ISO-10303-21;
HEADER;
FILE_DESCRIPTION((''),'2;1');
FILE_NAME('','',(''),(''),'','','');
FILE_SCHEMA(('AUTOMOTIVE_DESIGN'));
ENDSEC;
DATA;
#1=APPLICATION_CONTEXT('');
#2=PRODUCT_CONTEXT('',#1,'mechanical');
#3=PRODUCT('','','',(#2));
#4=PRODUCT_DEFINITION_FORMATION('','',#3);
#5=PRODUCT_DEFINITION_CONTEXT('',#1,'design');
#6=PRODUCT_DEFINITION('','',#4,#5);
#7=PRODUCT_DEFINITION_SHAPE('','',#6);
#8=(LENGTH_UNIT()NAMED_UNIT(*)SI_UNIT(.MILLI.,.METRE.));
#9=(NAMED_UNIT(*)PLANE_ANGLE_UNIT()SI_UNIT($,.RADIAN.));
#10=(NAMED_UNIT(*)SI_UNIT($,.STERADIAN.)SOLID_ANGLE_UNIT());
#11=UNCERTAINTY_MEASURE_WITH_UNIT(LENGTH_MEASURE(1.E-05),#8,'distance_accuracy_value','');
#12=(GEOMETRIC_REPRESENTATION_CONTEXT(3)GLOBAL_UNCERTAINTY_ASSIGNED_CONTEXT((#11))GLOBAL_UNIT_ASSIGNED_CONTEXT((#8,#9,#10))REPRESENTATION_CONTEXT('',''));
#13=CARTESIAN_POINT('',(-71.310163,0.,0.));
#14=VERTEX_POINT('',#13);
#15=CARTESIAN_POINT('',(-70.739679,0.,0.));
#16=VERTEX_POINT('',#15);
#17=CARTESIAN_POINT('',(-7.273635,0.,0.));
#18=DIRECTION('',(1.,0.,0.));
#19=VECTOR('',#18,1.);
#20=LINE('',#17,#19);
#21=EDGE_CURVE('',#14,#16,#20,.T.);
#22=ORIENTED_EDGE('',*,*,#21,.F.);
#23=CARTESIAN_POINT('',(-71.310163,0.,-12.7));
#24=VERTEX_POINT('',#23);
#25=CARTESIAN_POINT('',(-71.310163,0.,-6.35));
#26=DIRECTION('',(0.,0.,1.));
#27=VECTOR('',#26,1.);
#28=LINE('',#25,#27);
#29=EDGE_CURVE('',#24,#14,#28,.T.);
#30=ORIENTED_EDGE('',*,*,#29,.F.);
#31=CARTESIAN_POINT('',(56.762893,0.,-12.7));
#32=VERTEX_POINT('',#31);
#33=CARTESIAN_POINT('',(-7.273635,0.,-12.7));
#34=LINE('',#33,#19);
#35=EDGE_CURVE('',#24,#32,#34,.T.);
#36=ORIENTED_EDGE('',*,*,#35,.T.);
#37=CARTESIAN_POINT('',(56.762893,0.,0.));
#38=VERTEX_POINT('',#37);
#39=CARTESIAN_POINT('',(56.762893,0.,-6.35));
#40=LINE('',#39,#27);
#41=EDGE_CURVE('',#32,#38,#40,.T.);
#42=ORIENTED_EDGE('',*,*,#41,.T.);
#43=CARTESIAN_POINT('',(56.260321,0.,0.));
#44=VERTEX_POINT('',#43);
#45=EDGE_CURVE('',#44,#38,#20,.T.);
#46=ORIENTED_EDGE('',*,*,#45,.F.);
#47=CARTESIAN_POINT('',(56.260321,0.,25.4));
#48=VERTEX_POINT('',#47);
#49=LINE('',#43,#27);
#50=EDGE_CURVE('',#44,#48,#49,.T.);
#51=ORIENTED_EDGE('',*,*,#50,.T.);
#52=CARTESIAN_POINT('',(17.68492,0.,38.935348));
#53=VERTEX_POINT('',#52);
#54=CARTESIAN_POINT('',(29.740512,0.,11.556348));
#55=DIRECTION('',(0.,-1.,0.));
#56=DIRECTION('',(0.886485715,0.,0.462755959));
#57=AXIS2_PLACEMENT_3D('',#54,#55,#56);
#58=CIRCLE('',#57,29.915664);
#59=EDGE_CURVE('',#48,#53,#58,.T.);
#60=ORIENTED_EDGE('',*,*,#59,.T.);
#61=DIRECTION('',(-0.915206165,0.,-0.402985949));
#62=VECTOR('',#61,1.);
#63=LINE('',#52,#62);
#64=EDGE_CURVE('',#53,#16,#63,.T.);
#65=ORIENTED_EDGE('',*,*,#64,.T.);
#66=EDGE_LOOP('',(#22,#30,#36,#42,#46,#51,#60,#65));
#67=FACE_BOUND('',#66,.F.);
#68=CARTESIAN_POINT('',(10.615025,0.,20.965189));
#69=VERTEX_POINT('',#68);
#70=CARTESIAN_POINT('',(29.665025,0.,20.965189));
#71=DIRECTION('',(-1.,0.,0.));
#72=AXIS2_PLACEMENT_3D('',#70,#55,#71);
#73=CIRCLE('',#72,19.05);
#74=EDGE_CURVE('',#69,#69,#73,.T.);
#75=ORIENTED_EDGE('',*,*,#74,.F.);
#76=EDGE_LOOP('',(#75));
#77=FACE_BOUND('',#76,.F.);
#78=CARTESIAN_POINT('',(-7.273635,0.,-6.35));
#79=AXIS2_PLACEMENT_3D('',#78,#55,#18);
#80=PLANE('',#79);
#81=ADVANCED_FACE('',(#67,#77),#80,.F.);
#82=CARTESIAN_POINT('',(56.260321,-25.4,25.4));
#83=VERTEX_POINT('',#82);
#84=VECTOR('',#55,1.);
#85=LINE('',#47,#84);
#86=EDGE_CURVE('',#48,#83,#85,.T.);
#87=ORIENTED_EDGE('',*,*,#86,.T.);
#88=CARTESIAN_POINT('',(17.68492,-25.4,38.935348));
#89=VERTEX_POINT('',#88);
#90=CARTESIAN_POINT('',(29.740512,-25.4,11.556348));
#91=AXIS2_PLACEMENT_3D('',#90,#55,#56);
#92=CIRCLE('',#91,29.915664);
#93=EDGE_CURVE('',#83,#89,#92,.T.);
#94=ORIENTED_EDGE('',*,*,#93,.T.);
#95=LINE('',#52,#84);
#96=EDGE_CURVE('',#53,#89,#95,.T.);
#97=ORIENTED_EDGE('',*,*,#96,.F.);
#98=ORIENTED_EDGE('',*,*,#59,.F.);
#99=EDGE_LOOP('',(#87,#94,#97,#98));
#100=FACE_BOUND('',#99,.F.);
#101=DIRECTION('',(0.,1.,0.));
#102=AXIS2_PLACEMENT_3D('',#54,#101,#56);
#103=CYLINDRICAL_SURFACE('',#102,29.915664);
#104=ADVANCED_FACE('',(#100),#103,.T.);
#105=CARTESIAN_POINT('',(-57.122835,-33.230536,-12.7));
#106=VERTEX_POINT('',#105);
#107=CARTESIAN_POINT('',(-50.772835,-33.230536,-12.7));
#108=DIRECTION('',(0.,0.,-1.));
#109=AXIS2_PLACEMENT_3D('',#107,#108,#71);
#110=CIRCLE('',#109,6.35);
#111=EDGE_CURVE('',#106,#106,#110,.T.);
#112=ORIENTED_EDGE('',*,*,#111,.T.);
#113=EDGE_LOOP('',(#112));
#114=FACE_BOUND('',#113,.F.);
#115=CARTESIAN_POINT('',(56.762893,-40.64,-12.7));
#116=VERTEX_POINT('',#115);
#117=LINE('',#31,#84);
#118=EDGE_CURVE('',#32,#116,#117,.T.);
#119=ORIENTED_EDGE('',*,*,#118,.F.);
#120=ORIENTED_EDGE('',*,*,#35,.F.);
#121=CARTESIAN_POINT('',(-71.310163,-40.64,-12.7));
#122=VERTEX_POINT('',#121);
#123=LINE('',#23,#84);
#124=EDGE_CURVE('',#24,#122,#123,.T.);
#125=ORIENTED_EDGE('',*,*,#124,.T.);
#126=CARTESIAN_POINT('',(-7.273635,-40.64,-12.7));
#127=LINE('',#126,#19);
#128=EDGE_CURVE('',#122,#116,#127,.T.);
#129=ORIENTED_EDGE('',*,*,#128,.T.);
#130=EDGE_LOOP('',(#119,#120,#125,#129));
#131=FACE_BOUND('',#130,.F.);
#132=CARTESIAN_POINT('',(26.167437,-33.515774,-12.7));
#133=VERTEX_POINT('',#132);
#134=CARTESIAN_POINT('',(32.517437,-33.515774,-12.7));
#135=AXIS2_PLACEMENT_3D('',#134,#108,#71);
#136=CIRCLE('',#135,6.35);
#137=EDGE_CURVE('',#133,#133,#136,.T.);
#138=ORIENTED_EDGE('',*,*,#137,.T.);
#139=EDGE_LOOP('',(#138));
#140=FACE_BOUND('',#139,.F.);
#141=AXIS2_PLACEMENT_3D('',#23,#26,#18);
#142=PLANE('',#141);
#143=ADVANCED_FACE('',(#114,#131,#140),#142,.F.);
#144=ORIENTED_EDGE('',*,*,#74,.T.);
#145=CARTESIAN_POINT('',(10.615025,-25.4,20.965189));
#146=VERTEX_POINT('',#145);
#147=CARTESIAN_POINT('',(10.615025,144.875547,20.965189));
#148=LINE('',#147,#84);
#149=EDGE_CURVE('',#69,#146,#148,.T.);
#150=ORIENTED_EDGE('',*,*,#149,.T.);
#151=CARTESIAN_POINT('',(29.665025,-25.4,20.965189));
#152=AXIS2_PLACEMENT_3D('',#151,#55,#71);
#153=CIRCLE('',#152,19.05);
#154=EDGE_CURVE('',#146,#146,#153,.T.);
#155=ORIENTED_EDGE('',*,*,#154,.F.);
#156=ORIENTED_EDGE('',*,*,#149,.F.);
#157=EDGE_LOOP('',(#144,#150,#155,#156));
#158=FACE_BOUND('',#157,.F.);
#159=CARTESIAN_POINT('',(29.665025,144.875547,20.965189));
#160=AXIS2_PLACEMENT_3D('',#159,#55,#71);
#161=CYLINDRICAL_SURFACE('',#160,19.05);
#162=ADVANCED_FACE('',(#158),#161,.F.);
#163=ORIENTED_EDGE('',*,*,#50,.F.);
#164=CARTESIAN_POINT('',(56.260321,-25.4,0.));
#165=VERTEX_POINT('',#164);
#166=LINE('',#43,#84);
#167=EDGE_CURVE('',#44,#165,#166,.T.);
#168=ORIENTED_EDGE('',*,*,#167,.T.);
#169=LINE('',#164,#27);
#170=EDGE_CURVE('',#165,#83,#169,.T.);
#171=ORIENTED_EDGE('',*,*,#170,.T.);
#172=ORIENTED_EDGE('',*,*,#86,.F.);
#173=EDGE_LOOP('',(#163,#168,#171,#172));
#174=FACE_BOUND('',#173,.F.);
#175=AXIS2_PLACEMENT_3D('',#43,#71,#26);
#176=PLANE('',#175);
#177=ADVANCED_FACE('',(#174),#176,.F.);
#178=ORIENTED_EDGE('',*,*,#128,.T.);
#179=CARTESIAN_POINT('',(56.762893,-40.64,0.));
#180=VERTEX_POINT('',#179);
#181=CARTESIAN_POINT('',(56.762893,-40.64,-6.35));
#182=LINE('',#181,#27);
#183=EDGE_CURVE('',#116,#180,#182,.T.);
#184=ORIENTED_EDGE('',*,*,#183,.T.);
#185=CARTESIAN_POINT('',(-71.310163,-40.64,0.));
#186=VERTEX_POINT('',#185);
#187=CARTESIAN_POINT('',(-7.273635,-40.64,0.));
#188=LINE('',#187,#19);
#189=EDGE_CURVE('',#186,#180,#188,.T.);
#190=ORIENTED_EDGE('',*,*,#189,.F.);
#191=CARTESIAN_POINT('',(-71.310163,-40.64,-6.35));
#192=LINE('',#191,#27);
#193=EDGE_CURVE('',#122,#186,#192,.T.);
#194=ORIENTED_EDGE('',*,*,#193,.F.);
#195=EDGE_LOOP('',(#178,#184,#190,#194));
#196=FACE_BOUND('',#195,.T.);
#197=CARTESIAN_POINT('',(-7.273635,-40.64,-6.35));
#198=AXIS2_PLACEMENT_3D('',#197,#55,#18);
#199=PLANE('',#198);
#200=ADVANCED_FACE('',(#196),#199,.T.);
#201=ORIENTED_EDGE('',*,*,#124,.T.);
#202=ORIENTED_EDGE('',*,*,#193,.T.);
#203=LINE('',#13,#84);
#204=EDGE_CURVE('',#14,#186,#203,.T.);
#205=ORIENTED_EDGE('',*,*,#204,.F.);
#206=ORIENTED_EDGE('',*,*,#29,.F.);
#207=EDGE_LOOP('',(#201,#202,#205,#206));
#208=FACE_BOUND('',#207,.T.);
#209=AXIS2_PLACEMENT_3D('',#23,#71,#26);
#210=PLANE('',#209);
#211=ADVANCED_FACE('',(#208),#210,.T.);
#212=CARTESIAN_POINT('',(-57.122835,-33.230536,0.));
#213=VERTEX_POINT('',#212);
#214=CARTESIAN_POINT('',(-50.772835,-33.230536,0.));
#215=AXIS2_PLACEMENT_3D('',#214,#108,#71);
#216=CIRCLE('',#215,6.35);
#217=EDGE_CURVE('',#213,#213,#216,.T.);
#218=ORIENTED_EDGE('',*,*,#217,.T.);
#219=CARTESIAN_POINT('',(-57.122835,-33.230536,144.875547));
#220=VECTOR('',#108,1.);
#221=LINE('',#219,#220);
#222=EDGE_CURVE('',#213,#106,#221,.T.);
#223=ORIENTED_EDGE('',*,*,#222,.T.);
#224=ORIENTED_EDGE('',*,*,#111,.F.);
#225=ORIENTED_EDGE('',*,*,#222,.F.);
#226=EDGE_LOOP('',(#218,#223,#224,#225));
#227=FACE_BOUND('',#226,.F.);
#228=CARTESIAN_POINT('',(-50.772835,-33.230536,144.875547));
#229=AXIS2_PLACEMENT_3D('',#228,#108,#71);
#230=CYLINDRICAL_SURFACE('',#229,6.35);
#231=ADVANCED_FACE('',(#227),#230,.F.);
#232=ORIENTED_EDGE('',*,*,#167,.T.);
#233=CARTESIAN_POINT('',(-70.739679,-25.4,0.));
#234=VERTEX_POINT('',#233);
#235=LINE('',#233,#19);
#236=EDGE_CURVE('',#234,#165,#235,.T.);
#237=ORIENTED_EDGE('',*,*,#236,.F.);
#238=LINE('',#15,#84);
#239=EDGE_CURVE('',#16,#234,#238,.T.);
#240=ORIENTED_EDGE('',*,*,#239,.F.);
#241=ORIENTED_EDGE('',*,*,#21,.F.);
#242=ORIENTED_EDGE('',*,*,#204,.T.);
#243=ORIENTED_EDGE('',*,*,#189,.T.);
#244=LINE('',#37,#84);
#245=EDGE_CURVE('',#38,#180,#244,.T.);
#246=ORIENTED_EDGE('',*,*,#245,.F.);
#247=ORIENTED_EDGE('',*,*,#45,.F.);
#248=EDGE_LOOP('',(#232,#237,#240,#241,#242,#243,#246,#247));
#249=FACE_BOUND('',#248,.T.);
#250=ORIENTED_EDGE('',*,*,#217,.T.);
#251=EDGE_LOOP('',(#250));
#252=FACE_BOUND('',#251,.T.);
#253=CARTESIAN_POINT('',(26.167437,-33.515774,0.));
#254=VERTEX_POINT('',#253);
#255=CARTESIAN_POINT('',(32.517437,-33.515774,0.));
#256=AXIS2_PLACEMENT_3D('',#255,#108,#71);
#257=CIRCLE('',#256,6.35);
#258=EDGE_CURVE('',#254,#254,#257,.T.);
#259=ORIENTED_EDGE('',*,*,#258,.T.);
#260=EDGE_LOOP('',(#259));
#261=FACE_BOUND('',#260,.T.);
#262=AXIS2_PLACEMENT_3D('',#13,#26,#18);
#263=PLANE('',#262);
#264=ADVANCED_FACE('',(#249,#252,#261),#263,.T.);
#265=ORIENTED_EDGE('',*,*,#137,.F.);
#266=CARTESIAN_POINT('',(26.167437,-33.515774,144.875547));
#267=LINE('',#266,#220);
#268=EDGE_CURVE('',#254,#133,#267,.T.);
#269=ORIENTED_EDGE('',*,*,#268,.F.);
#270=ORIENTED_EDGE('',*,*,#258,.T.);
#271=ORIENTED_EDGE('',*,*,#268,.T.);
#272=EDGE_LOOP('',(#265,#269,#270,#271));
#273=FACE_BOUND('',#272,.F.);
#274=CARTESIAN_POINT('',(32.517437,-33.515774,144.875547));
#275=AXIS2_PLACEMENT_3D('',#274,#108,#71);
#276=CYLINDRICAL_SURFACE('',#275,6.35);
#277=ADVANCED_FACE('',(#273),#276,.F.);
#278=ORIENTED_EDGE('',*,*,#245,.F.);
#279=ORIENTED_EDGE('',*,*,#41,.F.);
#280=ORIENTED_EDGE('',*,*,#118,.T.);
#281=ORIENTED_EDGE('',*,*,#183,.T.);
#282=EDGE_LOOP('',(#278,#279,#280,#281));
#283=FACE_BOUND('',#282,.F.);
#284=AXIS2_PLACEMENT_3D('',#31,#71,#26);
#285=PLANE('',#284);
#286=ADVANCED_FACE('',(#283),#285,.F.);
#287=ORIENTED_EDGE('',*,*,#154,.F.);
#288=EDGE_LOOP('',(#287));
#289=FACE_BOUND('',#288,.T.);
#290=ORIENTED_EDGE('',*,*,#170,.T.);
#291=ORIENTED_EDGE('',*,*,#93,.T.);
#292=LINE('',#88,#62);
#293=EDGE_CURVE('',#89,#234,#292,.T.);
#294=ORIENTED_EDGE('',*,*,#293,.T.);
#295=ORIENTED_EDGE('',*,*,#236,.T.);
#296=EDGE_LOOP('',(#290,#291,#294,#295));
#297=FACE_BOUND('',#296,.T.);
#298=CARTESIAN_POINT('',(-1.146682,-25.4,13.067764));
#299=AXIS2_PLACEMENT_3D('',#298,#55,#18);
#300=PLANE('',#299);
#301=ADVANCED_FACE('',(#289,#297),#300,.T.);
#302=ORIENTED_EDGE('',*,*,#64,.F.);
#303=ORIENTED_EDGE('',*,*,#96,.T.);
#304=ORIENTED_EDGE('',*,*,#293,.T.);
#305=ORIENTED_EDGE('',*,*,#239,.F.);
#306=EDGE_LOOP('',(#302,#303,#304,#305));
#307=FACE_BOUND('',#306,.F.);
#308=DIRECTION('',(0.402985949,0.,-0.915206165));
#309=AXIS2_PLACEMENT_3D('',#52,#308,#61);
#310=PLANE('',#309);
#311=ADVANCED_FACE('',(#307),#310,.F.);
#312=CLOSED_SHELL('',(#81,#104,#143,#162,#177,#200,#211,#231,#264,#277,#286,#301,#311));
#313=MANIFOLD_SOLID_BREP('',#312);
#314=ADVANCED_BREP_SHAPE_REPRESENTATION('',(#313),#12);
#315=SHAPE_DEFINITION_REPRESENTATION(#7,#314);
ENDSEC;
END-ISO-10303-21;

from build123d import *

# Parameters (mm, degrees)
F2_DEPTH = 25.4
F1_W     = 128.0730552971
F1_H     = 12.7
F3_DEPTH = 40.64
F5_D     = 38.1
F7_D     = 12.7
F9_D     = 12.7


with BuildPart() as f2:
    # F0 (on Front) → F2 (new body)
    with BuildSketch(Plane.XZ):
        with BuildLine():
            Line((17.6849197596, 38.9353483915), (-70.7396790385, 0))
            Line((-70.7396790385, 0), (56.2603209615, 0))
            Line((56.2603209615, 0), (56.2603209615, 25.4))
            ThreePointArc((56.2603209615, 25.4), (39.6452990106, 39.7847408738), (17.6849197596, 38.9353483915))
        make_face()
    extrude(amount=F2_DEPTH)

    # F1 (on Front) → F3 (join)
    with BuildSketch(Plane.XZ):
        with Locations((-7.2736348957, -6.35)):
            Rectangle(F1_W, F1_H)
    extrude(amount=F3_DEPTH)

    # F5 (through all)
    with Locations(Plane(origin=(0, 0, 0), x_dir=(1, 0, 0), z_dir=(0, 1, 0))):
        with Locations((29.6650249511, -20.9651887417)):
            Hole(F5_D / 2)

    # F7 (through all)
    with Locations(Plane.XY):
        with Locations((-50.7728345692, -33.230535686)):
            Hole(F7_D / 2)

    # F9 (through all)
    with Locations(Plane.XY):
        with Locations((32.5174368918, -33.5157737136)):
            Hole(F9_D / 2)


solid = f2.part
